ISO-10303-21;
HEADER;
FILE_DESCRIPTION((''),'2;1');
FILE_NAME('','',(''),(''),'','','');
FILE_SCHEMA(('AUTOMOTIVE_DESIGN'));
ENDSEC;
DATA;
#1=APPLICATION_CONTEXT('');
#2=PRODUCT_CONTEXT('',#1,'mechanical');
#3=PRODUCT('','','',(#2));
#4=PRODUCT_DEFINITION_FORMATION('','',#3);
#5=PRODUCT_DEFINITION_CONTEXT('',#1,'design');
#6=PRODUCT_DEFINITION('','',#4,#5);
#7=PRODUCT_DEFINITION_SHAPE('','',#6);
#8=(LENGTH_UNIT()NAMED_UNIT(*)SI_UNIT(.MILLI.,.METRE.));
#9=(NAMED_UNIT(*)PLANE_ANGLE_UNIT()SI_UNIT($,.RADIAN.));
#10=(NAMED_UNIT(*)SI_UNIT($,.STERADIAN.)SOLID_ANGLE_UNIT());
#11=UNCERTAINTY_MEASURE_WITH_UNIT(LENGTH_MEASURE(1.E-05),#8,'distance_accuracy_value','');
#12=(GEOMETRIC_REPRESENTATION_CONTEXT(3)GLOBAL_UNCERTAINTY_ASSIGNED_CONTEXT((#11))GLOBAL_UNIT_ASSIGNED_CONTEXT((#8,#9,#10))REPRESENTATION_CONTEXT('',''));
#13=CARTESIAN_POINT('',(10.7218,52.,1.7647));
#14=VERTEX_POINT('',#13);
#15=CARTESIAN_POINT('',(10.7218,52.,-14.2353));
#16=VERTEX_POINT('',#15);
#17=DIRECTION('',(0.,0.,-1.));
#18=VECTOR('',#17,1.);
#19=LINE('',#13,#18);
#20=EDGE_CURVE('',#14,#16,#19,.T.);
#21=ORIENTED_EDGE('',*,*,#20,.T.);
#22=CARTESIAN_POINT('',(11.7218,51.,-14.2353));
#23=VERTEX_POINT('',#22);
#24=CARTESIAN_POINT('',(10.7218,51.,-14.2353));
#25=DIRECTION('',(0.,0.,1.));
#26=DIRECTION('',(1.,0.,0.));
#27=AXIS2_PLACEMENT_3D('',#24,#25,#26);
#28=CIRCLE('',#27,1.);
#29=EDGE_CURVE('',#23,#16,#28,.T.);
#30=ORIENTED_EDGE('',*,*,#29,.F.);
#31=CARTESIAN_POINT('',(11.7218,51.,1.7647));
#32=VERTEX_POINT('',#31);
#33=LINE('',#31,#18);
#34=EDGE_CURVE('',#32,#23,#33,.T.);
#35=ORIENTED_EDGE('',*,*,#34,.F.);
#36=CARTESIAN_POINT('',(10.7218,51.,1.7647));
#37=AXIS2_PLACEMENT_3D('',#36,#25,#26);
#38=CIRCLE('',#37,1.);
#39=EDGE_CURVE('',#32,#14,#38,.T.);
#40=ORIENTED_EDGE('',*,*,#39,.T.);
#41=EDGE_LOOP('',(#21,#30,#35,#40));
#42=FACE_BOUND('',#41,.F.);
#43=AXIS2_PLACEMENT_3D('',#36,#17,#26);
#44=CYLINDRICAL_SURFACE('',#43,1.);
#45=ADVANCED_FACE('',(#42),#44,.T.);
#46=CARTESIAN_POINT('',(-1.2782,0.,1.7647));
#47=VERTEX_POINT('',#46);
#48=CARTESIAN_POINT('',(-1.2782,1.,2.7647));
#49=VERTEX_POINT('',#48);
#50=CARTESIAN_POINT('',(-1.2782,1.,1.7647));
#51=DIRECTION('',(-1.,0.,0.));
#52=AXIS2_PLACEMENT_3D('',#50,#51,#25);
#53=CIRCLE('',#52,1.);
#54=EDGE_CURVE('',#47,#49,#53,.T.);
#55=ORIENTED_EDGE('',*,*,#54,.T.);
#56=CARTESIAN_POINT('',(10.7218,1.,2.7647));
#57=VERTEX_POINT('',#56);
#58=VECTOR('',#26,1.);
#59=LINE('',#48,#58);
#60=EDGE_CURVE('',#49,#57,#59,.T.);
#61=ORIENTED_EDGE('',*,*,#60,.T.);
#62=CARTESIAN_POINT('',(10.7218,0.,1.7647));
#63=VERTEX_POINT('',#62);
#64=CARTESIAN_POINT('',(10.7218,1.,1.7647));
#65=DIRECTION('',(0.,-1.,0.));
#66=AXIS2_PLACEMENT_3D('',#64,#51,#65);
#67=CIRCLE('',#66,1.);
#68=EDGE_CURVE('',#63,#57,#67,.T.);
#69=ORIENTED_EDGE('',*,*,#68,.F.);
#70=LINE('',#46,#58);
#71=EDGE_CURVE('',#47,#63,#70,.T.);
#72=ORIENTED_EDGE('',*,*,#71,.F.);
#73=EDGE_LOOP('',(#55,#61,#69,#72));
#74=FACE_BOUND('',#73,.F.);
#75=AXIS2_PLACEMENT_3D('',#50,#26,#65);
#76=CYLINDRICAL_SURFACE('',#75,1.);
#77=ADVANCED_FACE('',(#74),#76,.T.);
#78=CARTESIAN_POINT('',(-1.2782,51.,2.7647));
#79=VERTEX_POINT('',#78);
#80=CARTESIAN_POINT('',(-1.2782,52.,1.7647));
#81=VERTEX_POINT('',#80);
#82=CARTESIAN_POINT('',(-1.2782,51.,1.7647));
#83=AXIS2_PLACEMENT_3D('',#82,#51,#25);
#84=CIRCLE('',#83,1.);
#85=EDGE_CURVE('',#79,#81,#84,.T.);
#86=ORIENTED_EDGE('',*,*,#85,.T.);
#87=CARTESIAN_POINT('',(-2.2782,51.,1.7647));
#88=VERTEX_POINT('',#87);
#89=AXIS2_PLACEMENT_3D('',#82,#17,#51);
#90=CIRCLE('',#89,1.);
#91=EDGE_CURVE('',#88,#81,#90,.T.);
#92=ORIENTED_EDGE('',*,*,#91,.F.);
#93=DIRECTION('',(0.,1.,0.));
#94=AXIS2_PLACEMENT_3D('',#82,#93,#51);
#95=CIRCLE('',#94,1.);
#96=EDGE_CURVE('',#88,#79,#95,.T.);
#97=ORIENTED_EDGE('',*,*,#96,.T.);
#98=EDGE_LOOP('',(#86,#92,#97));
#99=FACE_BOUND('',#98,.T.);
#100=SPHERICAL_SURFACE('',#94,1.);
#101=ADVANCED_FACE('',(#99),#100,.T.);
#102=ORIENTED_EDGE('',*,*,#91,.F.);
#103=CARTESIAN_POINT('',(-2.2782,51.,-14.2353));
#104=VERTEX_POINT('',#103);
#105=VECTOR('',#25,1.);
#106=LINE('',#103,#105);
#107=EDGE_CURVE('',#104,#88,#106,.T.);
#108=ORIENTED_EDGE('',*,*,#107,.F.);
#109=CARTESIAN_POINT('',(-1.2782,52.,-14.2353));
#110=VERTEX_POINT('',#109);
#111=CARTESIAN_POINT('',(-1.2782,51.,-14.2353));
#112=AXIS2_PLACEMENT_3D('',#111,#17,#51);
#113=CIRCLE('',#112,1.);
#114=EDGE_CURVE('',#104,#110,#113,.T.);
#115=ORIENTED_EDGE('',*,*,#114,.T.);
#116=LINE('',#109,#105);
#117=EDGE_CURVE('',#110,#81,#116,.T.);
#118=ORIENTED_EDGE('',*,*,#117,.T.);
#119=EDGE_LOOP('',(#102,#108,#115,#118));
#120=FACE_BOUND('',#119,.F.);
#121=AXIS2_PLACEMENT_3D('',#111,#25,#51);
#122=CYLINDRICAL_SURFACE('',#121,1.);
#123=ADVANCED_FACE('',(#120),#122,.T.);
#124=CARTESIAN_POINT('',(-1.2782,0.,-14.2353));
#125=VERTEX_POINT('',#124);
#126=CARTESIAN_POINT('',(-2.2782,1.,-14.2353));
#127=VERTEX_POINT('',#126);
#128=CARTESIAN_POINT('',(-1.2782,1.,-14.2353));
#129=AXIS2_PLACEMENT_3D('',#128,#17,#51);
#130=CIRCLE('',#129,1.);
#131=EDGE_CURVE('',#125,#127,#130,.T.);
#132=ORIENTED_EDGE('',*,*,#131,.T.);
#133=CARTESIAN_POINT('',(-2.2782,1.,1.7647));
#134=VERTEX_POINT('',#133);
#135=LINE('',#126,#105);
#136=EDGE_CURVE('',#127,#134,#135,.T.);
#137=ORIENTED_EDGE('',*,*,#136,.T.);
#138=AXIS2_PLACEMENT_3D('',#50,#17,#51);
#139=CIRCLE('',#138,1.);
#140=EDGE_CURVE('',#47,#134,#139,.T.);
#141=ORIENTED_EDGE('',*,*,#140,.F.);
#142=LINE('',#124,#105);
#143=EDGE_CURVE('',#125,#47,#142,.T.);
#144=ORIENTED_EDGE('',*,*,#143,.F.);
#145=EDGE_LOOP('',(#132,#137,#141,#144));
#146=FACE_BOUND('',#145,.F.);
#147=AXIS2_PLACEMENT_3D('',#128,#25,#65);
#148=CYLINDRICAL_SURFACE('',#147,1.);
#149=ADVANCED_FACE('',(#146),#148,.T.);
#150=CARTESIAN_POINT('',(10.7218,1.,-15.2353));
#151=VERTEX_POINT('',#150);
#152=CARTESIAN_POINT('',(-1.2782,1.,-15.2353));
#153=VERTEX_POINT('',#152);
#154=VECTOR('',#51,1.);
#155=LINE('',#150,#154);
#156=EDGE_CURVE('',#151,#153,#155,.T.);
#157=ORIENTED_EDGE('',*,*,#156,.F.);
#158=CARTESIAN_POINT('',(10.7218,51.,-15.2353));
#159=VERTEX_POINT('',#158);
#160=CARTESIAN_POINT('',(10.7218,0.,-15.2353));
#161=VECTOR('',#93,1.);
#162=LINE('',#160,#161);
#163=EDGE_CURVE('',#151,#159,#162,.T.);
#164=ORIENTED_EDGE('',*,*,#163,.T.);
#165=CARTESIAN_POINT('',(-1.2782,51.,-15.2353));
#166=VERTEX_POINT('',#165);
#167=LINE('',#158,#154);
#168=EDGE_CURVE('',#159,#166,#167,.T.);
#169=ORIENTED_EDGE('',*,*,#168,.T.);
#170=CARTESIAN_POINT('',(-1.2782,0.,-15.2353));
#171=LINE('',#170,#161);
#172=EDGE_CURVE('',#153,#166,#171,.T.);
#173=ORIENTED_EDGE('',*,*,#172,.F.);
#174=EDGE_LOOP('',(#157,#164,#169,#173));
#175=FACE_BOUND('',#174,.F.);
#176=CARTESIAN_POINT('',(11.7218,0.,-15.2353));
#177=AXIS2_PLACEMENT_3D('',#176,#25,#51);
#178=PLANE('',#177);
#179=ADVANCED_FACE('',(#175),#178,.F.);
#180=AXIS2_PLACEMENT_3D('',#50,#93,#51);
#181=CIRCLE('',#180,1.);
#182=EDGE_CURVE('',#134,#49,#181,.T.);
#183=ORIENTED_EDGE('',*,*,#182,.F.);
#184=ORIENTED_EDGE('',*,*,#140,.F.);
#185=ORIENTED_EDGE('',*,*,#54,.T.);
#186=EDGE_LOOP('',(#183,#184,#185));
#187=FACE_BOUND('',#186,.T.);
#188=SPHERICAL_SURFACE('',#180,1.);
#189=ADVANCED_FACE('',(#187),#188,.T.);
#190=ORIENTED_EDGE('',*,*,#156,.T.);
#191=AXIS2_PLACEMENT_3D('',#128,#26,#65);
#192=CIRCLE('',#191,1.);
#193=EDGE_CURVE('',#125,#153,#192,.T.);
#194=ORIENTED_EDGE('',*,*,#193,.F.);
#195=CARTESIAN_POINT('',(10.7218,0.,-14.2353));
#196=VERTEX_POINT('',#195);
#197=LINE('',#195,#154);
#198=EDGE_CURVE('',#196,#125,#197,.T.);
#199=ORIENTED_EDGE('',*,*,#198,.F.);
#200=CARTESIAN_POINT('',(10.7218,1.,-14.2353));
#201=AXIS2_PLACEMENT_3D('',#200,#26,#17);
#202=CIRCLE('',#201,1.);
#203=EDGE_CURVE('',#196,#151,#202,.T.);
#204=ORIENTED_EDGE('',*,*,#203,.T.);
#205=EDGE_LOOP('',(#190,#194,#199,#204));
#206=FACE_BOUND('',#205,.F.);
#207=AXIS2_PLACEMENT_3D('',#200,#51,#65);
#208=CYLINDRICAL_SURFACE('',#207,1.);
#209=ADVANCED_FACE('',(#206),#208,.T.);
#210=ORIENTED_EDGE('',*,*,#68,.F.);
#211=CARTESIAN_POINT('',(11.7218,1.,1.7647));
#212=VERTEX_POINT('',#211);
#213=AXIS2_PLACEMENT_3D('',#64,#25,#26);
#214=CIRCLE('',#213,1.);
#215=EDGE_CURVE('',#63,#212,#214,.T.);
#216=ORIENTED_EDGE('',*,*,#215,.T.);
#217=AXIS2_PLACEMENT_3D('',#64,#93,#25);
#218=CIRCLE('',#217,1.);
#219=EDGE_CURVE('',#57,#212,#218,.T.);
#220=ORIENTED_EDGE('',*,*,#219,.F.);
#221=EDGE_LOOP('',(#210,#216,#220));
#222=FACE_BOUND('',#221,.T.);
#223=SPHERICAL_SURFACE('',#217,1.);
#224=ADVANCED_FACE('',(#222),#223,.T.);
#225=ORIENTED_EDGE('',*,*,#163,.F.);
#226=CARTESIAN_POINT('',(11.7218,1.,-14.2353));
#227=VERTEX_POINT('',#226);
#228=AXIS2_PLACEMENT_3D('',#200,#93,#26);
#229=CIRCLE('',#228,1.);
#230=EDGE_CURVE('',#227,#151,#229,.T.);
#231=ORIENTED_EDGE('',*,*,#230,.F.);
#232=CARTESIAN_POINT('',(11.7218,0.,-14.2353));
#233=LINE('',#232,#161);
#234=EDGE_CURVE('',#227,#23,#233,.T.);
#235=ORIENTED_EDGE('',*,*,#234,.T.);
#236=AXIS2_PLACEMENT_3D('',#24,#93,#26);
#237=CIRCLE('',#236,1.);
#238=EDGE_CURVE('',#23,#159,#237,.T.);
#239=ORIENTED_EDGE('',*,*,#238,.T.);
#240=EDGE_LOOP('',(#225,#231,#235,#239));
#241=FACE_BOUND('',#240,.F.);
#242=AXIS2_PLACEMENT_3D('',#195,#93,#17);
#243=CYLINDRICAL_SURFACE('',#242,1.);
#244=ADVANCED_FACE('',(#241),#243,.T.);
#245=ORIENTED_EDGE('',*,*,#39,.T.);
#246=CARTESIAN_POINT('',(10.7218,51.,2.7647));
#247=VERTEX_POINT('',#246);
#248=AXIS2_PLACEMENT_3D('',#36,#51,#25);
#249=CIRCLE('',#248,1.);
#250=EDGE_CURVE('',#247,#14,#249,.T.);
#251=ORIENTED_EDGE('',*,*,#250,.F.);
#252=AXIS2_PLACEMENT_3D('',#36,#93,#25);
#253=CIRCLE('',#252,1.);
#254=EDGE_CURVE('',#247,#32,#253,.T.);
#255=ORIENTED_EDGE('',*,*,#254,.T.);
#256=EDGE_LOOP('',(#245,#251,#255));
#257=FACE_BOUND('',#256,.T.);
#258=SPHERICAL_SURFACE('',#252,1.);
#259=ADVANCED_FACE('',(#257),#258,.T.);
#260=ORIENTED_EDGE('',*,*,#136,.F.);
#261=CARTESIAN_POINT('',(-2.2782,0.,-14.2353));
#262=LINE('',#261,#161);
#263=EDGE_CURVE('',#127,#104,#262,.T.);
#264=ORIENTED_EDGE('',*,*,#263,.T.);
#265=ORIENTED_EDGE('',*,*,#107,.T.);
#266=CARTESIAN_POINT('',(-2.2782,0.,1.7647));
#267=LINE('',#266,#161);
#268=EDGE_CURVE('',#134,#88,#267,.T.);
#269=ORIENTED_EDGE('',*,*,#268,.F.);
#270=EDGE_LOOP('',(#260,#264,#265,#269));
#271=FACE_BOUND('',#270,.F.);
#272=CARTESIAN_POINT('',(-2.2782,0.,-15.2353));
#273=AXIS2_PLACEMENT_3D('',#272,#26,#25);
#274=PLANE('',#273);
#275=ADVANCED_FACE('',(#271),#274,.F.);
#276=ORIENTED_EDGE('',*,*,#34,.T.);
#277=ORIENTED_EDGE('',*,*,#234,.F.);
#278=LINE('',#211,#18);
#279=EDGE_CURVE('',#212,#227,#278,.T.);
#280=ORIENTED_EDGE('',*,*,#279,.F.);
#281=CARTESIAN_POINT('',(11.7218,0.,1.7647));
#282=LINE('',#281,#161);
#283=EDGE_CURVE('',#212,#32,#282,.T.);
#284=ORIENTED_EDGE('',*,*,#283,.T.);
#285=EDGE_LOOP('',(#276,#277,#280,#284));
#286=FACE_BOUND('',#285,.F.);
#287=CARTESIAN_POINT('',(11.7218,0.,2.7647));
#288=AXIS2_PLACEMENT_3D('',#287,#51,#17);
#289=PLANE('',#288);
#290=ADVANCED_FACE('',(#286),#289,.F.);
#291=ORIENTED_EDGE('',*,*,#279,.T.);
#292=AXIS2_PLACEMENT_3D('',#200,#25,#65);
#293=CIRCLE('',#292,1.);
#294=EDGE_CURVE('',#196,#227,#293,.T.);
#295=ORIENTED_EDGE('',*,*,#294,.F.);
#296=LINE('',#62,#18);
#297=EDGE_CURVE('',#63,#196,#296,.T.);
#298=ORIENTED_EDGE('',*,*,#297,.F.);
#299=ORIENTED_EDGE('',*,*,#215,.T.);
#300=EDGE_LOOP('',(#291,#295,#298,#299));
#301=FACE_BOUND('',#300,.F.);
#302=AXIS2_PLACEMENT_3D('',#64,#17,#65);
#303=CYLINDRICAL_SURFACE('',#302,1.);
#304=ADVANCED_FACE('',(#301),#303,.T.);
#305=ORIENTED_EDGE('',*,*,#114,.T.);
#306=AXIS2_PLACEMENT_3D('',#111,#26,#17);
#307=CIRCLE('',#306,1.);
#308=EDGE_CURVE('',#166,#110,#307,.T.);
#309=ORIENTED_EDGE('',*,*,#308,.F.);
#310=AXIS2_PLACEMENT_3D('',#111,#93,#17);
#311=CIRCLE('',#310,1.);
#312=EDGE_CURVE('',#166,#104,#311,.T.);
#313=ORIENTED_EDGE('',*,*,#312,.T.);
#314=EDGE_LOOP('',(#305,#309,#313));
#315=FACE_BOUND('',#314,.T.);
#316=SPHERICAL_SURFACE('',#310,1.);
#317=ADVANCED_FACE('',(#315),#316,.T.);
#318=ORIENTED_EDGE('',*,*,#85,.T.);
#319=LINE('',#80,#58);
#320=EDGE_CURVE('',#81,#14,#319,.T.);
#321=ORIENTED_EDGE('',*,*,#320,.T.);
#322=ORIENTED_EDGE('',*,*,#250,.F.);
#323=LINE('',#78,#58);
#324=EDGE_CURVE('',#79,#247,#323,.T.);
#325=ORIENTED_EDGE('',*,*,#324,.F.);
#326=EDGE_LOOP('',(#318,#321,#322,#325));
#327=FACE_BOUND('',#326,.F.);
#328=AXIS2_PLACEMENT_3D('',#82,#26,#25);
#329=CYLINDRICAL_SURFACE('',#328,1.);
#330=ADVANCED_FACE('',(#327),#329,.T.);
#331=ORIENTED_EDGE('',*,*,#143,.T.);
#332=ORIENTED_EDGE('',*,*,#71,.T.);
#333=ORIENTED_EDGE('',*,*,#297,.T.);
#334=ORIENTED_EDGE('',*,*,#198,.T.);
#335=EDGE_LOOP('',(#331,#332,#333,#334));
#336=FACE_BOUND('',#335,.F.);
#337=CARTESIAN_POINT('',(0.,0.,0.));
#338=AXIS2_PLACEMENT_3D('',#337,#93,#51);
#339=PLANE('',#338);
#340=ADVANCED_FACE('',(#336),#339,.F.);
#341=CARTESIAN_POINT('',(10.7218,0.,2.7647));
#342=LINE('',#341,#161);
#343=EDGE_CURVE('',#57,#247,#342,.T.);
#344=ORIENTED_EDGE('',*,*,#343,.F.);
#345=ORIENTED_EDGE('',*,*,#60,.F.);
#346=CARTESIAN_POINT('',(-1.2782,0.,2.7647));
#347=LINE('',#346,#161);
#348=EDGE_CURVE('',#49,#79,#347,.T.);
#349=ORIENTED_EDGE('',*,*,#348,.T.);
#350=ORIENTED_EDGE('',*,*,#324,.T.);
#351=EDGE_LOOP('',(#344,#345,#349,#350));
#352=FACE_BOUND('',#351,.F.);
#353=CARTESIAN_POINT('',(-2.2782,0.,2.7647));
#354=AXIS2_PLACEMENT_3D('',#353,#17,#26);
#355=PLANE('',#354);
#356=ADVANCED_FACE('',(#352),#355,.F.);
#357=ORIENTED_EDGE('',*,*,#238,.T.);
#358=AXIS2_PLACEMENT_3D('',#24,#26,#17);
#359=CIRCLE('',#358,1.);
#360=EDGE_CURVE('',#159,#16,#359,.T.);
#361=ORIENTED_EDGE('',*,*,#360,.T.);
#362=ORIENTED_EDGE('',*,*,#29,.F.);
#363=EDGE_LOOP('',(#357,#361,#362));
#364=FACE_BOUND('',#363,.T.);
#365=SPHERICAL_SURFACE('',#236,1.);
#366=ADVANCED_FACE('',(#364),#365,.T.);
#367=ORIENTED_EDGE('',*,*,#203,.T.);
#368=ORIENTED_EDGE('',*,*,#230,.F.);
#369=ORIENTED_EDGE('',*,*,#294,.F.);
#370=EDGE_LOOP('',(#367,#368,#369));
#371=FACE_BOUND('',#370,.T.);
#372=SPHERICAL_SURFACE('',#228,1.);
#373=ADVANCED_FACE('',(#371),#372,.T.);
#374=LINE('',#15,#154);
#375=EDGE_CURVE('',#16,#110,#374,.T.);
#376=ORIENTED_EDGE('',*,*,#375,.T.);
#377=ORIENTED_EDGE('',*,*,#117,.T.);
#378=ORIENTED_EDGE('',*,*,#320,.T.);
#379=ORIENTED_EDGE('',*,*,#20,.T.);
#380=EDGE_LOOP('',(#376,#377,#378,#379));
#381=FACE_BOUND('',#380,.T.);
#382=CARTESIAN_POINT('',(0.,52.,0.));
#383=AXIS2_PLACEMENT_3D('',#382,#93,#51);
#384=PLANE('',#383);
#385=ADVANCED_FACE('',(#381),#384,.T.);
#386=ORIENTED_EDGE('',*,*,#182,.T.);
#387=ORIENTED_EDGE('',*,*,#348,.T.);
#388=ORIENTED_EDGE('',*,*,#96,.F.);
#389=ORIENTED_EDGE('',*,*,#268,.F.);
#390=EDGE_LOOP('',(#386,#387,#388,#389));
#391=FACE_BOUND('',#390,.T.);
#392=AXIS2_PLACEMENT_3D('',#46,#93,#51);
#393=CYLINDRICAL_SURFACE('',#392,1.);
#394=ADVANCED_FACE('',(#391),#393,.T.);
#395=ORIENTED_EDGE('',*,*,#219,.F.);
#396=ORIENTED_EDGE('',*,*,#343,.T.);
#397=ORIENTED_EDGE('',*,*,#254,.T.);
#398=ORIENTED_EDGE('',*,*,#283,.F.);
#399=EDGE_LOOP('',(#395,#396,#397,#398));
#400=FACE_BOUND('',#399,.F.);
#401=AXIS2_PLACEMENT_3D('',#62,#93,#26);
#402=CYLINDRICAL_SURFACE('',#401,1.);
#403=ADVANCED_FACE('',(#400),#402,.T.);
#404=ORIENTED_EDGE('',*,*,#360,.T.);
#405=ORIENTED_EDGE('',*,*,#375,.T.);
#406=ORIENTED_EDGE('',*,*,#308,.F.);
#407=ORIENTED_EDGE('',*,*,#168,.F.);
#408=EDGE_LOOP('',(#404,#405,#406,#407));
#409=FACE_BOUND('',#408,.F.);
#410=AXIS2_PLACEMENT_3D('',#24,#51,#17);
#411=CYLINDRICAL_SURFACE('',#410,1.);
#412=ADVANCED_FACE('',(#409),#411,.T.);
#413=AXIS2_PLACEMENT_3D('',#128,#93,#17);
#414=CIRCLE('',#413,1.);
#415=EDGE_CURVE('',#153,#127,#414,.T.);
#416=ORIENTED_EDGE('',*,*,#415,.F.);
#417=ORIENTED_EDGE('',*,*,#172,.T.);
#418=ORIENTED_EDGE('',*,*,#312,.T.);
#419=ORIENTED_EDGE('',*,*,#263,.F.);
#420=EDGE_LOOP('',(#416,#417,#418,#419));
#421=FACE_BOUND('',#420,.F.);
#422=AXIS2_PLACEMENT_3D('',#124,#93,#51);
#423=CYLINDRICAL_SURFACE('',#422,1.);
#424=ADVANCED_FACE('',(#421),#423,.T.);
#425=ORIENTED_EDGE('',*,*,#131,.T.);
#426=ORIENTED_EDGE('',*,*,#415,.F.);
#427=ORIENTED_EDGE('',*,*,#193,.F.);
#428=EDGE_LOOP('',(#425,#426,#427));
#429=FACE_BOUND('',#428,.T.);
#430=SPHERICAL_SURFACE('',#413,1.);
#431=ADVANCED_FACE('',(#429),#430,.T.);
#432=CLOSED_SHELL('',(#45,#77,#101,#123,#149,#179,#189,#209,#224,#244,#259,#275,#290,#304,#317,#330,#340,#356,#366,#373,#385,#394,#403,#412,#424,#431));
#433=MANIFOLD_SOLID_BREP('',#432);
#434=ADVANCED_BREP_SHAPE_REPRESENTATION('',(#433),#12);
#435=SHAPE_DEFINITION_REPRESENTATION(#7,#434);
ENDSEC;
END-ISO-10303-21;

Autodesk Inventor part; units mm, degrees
ref_plane "YZ Plane" through (0, 0, 0) normal (1, 0, 0) x (0, 1, 0)
ref_plane "XZ Plane" through (0, 0, 0) normal (0, 1, 0) x (-1, 0, 0)
ref_plane "XY Plane" through (0, 0, 0) normal (0, 0, 1) x (1, 0, 0)
sketch "Szkic1" plane through (0, 0, 0) normal (0, 1, 0) x (-1, 0, 0)
  line L0 (2.2782, 2.7647) -> (-11.7218, 2.7647)
  line L1 (-11.7218, 2.7647) -> (-11.7218, -15.2353)
  line L2 (-11.7218, -15.2353) -> (2.2782, -15.2353)
  line L3 (2.2782, -15.2353) -> (2.2782, 2.7647)
  point P0 (0, 0)
  dimension "d0" = 14
  dimension "d1" = 18
extrude "Wyciągnięcie proste1" add sketch "Szkic1" along normal blind 52
fillet "Zaokrąglenie1" radius 1 4 edges at (-2.2782, 26, -15.2353) (11.7218, 26, -15.2353) (-2.2782, 26, 2.7647) (11.7218, 26, 2.7647)
fillet "Zaokrąglenie2" radius 1 16 edges at (-1.9853, 0, 2.4719) (4.7218, 0, 2.7647) (11.429, 0, 2.4719) (11.7218, 0, -6.2353) (11.429, 0, -14.9424) (4.7218, 0, -15.2353) (-1.9853, 0, -14.9424) (-2.2782, 0, -6.2353) (-1.9853, 52, 2.4719) (4.7218, 52, 2.7647) (11.429, 52, 2.4719) (11.7218, 52, -6.2353) (11.429, 52, -14.9424) (4.7218, 52, -15.2353) (-1.9853, 52, -14.9424) (-2.2782, 52, -6.2353)
properties part number "li-pol_520"
